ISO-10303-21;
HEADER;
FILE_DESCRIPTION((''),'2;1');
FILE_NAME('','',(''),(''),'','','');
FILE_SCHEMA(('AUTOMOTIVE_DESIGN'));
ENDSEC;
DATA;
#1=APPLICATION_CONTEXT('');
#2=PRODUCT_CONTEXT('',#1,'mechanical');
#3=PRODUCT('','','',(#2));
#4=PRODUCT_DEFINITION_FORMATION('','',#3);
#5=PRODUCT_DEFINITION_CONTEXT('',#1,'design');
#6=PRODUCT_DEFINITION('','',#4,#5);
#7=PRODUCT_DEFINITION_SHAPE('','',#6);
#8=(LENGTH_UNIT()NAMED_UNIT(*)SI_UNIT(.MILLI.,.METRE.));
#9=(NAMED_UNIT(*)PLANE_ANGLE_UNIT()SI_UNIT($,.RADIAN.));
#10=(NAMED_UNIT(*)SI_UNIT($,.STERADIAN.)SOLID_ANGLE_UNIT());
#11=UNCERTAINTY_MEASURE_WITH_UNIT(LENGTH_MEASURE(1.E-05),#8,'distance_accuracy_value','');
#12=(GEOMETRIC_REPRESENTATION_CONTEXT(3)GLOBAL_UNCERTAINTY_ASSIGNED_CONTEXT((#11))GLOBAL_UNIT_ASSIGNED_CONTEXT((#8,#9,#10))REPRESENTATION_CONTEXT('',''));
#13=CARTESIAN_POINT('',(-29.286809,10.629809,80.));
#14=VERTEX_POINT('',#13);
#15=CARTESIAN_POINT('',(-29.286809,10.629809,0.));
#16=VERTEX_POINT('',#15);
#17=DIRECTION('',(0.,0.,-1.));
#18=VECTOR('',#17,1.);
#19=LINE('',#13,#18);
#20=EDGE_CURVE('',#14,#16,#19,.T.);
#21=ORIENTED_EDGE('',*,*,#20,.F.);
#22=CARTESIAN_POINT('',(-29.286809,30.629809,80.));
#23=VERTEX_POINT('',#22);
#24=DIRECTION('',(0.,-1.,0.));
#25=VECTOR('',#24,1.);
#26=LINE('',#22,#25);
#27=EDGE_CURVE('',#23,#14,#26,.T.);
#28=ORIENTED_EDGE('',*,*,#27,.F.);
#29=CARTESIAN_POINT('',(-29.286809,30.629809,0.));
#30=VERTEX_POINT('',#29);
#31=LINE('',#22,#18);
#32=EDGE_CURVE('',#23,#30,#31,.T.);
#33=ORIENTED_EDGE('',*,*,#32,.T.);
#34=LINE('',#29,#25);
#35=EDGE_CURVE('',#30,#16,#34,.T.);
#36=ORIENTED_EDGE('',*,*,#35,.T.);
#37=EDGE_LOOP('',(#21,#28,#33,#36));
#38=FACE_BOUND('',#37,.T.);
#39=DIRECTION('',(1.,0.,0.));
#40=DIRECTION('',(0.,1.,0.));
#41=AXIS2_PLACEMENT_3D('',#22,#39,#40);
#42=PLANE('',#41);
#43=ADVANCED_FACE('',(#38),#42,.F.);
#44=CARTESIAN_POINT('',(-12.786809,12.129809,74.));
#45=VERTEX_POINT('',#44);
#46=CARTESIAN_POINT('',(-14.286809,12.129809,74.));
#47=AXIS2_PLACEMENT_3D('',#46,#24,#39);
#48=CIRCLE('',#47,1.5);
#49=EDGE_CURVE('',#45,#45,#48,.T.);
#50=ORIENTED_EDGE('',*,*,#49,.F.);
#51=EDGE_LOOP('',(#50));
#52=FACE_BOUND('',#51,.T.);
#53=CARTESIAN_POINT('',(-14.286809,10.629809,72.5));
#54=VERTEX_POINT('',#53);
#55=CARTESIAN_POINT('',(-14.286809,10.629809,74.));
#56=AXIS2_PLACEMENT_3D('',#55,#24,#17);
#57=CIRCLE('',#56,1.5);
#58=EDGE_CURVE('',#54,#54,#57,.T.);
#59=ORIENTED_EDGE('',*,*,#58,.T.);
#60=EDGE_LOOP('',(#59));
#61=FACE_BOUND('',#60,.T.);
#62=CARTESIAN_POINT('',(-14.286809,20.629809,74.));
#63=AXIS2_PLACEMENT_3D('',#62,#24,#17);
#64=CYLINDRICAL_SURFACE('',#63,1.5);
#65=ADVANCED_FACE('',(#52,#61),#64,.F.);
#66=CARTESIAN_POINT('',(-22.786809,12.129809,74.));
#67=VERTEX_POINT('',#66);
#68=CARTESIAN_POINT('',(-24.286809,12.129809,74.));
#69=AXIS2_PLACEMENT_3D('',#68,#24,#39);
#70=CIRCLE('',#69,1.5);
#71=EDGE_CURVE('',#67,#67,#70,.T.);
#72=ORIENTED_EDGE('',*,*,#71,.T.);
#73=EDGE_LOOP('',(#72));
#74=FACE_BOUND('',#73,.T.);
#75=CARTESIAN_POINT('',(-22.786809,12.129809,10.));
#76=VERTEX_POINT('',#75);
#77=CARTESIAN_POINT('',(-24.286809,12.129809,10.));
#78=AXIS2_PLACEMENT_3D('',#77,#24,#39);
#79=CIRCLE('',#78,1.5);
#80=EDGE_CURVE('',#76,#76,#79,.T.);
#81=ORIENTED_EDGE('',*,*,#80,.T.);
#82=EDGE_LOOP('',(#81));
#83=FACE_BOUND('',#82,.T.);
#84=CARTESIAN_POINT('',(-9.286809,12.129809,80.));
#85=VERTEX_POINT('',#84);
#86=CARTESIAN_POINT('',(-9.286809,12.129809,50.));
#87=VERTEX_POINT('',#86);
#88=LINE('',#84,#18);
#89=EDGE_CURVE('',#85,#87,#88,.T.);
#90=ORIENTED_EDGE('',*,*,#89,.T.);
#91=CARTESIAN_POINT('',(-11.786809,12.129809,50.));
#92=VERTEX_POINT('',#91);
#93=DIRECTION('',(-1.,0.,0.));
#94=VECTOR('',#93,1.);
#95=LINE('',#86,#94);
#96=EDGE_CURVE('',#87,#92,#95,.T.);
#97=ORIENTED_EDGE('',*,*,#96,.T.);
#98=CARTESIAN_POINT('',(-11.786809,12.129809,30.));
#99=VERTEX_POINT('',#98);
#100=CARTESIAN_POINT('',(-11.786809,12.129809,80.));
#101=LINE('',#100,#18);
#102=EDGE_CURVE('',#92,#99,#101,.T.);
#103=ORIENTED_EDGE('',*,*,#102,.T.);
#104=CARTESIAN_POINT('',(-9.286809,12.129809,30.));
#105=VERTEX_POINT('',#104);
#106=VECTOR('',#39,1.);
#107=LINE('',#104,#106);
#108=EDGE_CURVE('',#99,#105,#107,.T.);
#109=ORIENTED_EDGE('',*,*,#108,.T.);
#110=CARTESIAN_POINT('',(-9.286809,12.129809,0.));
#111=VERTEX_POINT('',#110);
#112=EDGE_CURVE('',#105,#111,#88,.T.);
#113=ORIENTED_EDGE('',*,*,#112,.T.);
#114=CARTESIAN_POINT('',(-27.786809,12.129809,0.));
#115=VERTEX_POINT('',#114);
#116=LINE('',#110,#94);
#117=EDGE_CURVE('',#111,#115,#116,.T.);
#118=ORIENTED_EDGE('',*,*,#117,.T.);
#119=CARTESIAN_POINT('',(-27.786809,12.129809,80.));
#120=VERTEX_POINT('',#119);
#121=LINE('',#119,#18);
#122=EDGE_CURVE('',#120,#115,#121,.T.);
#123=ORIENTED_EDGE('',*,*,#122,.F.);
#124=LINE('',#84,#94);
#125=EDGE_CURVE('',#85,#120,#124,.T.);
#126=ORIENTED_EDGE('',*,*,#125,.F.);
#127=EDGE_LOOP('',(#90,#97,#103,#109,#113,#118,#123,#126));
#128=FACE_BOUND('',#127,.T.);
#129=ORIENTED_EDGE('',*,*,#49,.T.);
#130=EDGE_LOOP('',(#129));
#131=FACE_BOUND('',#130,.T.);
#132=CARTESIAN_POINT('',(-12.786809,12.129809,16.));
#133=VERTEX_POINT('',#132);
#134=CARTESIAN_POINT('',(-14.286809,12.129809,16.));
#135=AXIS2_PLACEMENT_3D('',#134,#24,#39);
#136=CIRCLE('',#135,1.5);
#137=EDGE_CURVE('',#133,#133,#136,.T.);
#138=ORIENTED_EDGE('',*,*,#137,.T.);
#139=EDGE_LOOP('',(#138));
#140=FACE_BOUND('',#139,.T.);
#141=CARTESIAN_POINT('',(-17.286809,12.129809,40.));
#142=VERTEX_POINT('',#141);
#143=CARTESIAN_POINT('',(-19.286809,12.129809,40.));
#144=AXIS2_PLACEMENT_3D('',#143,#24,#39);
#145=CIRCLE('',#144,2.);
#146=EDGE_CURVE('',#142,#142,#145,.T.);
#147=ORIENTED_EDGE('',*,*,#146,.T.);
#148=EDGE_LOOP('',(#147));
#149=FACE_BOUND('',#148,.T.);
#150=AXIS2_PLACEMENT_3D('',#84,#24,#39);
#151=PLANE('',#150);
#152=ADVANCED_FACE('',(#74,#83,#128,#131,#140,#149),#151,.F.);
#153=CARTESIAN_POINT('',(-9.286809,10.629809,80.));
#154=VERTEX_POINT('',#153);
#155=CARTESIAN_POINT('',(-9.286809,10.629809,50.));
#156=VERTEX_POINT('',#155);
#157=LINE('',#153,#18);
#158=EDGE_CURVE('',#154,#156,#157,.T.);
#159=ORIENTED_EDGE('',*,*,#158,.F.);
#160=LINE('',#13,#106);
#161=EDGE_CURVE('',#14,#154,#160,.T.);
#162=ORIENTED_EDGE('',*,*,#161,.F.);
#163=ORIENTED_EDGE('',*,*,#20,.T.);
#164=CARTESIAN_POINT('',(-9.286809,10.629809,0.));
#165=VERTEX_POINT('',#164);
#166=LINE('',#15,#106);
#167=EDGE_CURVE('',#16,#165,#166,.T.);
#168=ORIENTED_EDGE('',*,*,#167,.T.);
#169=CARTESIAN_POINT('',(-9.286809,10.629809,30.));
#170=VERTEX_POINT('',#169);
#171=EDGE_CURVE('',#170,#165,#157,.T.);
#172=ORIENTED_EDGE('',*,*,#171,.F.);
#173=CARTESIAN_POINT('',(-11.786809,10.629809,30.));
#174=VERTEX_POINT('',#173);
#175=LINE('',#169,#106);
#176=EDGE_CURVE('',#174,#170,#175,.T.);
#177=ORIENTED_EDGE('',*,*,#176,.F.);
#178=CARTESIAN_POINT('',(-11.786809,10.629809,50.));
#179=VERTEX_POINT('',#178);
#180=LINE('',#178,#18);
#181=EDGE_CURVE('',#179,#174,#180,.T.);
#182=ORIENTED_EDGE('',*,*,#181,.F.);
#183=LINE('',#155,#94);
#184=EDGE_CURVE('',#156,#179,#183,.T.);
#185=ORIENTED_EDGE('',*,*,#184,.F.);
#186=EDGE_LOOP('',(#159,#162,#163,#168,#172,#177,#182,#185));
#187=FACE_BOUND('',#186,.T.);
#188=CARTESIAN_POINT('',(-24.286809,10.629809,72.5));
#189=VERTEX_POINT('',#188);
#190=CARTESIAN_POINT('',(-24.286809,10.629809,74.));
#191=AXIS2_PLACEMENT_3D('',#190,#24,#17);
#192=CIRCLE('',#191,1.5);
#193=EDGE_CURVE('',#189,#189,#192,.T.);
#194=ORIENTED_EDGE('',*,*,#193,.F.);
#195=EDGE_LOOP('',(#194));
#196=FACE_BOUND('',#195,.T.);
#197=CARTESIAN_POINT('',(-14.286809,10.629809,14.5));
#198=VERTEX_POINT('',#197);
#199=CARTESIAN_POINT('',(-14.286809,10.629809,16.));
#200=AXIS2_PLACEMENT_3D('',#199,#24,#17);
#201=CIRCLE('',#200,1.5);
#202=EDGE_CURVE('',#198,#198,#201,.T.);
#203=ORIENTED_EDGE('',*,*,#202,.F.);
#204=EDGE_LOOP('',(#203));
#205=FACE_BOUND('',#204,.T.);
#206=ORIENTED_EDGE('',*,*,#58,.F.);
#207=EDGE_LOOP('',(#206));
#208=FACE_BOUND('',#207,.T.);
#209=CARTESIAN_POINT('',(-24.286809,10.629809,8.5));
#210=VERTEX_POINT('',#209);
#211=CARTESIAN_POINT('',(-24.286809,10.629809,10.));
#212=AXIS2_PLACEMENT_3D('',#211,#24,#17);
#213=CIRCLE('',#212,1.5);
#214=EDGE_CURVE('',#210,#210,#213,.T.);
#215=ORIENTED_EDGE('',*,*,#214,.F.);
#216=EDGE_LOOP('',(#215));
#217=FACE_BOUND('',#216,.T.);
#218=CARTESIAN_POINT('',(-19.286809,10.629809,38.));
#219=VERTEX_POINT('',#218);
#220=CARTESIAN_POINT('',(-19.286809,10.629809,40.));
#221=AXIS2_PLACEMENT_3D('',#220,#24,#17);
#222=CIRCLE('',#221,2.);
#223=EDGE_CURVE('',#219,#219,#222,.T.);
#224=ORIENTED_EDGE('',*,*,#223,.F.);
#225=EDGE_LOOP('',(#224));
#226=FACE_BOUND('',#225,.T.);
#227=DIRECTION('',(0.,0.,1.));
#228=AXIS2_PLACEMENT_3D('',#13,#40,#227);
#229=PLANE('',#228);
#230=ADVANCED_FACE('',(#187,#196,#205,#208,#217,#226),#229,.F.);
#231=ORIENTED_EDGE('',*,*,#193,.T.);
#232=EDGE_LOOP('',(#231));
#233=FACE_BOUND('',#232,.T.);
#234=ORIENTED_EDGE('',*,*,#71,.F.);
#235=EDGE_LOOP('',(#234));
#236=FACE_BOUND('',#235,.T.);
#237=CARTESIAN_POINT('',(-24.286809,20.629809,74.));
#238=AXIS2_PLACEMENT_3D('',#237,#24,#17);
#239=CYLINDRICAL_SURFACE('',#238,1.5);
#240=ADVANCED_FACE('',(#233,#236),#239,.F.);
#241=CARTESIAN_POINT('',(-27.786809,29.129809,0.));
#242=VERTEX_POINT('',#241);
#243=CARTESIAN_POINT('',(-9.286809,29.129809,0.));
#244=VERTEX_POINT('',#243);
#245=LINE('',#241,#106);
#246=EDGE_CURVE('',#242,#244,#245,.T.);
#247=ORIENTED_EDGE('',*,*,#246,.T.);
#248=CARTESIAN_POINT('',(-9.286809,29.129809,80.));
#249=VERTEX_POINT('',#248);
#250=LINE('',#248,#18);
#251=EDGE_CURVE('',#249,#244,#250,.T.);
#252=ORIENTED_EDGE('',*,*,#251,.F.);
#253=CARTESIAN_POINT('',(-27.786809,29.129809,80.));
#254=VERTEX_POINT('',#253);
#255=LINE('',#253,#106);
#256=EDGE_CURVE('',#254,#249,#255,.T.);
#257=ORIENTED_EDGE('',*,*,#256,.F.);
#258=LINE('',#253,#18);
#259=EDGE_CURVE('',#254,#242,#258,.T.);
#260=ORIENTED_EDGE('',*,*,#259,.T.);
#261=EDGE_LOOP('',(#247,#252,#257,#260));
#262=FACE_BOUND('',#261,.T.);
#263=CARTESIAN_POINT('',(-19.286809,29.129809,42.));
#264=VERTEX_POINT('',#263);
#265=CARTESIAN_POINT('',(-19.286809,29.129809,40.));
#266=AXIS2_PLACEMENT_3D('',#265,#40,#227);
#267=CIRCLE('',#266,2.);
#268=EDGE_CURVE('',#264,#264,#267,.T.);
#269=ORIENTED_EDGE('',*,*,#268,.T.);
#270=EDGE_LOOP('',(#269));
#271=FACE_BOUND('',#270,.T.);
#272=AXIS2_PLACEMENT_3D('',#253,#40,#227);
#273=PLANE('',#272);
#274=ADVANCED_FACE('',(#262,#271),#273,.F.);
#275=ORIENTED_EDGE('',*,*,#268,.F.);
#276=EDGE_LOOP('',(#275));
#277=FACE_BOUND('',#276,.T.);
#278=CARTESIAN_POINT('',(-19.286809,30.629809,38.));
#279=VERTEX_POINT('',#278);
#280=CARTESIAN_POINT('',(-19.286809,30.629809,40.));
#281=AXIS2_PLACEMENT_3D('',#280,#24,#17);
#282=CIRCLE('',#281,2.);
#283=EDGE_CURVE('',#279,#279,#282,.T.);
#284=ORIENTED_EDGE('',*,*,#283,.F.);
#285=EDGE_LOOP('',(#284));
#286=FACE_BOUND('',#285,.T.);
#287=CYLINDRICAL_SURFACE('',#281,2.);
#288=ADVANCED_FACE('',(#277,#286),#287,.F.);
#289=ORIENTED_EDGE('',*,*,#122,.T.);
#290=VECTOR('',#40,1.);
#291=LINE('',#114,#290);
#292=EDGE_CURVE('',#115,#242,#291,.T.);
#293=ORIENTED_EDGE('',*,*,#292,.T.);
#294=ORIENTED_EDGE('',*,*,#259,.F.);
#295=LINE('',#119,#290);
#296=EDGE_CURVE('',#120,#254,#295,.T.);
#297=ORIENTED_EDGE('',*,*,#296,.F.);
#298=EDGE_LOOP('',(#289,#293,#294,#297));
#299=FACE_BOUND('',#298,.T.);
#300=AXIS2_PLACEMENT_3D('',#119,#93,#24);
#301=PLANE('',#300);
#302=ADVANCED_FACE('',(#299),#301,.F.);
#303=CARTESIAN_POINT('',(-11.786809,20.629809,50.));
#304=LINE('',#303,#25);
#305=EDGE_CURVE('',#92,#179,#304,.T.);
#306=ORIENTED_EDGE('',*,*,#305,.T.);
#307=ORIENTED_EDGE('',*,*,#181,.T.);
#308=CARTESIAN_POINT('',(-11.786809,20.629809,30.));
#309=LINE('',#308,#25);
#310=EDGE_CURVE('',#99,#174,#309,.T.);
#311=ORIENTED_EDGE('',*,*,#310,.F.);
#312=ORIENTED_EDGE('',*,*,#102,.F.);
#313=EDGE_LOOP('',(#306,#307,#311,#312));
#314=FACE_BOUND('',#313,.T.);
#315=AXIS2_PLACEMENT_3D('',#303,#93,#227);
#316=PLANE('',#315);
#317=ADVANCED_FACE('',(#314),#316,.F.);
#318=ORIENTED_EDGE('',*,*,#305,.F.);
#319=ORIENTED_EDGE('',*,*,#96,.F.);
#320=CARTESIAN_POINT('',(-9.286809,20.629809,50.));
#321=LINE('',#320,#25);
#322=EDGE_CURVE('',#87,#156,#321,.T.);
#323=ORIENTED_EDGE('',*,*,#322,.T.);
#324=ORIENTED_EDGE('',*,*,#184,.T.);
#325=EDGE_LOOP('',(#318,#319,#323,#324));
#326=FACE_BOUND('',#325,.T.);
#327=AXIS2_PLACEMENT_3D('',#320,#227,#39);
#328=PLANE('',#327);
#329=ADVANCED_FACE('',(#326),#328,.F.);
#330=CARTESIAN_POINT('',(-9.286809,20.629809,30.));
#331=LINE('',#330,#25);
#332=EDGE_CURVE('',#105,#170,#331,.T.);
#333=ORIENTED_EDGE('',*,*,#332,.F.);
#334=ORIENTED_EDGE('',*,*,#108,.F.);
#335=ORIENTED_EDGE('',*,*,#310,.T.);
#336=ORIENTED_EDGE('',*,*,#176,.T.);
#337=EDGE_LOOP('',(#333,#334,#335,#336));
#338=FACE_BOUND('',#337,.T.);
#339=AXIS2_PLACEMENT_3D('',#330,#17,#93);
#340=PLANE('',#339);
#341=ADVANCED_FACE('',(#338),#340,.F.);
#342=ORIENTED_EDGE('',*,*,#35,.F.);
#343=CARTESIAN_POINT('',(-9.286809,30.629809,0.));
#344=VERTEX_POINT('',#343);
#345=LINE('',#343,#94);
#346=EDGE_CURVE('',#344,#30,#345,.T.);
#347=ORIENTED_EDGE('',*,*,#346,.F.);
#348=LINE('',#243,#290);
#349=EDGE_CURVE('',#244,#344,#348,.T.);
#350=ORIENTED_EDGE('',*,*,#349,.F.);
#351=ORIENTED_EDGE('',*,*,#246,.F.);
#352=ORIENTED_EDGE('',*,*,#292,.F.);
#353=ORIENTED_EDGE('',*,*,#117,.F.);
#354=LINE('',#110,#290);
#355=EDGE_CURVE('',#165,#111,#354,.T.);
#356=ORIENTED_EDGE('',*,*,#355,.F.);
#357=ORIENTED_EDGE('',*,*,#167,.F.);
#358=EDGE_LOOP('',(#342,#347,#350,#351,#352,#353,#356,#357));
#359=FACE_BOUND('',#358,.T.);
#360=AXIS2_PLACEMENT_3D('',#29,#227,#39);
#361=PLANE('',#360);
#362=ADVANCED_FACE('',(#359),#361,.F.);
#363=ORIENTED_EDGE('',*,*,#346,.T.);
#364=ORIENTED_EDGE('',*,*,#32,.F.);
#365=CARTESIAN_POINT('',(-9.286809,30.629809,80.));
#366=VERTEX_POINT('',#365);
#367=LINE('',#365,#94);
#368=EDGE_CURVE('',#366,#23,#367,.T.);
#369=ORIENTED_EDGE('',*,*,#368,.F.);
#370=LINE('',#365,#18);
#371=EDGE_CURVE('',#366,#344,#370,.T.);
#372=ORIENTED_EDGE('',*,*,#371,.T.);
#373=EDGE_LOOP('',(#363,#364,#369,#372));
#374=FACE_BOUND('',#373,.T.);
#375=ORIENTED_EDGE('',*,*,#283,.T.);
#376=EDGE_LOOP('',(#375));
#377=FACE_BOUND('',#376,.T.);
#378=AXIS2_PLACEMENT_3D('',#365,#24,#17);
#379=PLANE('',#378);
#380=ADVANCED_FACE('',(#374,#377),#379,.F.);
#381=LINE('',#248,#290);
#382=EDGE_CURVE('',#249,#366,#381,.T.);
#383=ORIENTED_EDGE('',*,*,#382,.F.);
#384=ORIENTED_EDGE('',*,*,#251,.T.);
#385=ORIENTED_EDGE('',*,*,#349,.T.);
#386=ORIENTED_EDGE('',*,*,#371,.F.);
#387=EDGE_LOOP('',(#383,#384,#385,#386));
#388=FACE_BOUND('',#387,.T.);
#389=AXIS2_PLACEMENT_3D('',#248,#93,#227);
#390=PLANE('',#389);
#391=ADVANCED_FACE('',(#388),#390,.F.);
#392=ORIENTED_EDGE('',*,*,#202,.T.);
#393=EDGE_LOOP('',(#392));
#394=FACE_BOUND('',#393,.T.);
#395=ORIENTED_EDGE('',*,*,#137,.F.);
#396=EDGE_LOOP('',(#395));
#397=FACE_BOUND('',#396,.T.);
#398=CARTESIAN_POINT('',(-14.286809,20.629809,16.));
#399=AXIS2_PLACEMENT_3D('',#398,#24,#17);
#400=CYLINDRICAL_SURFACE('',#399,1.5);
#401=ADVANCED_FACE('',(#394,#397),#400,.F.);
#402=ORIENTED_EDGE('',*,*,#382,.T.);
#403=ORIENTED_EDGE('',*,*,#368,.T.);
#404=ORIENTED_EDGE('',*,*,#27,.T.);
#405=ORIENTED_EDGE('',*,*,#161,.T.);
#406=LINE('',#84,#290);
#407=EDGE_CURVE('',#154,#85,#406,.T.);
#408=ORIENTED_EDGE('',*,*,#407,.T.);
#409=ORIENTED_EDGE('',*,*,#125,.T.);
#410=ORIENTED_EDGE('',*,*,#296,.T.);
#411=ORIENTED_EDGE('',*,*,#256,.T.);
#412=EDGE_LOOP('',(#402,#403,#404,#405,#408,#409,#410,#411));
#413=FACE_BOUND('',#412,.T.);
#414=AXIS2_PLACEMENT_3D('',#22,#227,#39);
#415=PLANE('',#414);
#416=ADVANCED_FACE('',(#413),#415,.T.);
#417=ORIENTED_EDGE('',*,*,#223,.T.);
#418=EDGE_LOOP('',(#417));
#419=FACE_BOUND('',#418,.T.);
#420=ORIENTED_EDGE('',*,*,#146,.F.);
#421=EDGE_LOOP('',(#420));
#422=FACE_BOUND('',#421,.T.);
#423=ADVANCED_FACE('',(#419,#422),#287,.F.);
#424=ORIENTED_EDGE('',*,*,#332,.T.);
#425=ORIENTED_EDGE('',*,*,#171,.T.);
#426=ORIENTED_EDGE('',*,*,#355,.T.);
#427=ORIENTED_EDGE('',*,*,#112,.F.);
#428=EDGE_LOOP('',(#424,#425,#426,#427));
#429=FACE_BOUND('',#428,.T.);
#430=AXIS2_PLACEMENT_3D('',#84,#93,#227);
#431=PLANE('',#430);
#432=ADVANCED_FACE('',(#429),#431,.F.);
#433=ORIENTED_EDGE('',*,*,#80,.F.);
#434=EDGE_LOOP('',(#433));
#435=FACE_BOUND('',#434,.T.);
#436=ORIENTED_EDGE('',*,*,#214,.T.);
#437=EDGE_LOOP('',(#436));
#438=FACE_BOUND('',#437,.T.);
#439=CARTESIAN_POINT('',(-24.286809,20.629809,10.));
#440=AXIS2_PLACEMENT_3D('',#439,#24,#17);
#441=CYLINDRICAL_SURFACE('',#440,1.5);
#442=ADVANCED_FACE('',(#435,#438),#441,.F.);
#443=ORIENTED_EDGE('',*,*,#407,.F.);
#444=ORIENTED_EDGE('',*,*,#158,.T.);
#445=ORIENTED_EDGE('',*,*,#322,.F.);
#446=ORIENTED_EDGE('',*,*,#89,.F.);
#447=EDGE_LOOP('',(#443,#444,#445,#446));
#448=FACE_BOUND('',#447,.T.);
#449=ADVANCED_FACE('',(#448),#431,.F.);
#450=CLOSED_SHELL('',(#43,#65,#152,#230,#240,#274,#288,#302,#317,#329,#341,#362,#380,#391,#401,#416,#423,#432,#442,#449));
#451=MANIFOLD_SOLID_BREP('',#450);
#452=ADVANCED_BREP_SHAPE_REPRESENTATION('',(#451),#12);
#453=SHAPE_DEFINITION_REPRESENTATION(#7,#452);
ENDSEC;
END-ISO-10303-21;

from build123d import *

# Parameters (mm, degrees)
EXTRUSION1_DEPTH = 80
ESQUISSE2_R      = 1.5
ESQUISSE2_W      = 2.5
ESQUISSE2_H      = 20
EXTRUSION2_DEPTH = 10
ESQUISSE3_R      = 2
EXTRUSION3_DEPTH = 88.508383337


with BuildPart() as part:
    # Esquisse1 → Extrusion1 (new body)
    with BuildSketch(Plane.XY):
        Polygon((-29.286808535, 30.629808714), (-29.286808535, 10.629808714), (-9.286808535, 10.629808714), (-9.286808535, 12.129808714), (-27.786808535, 12.129808714), (-27.786808535, 29.129808714), (-9.286808535, 29.129808714), (-9.286808535, 30.629808714), align=None)
    extrude(amount=EXTRUSION1_DEPTH)

    # Esquisse2 → Extrusion2 (cut)
    with BuildSketch(Plane.XZ.offset(-10.629808714)):
        with Locations(Location((-14.286808535, 74, 0), (0, 0, 270))):
            Circle(ESQUISSE2_R)
        with Locations(Location((-24.286808535, 74, 0), (0, 0, 270))):
            Circle(ESQUISSE2_R)
        with Locations(Location((-14.286808535, 16, 0), (0, 0, 270))):
            Circle(ESQUISSE2_R)
        with Locations(Location((-24.286808535, 10, 0), (0, 0, 270))):
            Circle(ESQUISSE2_R)
        with Locations((-10.536808535, 40)):
            Rectangle(ESQUISSE2_W, ESQUISSE2_H)
    extrude(amount=-EXTRUSION2_DEPTH, mode=Mode.SUBTRACT)

    # Esquisse3 → Extrusion3 (cut, through all)
    with BuildSketch(Plane.XZ.offset(-10.629808714)):
        with Locations(Location((-19.286808535, 40, 0), (0, 0, 270))):
            Circle(ESQUISSE3_R)
    extrude(amount=-EXTRUSION3_DEPTH, mode=Mode.SUBTRACT)


solid = part.part
